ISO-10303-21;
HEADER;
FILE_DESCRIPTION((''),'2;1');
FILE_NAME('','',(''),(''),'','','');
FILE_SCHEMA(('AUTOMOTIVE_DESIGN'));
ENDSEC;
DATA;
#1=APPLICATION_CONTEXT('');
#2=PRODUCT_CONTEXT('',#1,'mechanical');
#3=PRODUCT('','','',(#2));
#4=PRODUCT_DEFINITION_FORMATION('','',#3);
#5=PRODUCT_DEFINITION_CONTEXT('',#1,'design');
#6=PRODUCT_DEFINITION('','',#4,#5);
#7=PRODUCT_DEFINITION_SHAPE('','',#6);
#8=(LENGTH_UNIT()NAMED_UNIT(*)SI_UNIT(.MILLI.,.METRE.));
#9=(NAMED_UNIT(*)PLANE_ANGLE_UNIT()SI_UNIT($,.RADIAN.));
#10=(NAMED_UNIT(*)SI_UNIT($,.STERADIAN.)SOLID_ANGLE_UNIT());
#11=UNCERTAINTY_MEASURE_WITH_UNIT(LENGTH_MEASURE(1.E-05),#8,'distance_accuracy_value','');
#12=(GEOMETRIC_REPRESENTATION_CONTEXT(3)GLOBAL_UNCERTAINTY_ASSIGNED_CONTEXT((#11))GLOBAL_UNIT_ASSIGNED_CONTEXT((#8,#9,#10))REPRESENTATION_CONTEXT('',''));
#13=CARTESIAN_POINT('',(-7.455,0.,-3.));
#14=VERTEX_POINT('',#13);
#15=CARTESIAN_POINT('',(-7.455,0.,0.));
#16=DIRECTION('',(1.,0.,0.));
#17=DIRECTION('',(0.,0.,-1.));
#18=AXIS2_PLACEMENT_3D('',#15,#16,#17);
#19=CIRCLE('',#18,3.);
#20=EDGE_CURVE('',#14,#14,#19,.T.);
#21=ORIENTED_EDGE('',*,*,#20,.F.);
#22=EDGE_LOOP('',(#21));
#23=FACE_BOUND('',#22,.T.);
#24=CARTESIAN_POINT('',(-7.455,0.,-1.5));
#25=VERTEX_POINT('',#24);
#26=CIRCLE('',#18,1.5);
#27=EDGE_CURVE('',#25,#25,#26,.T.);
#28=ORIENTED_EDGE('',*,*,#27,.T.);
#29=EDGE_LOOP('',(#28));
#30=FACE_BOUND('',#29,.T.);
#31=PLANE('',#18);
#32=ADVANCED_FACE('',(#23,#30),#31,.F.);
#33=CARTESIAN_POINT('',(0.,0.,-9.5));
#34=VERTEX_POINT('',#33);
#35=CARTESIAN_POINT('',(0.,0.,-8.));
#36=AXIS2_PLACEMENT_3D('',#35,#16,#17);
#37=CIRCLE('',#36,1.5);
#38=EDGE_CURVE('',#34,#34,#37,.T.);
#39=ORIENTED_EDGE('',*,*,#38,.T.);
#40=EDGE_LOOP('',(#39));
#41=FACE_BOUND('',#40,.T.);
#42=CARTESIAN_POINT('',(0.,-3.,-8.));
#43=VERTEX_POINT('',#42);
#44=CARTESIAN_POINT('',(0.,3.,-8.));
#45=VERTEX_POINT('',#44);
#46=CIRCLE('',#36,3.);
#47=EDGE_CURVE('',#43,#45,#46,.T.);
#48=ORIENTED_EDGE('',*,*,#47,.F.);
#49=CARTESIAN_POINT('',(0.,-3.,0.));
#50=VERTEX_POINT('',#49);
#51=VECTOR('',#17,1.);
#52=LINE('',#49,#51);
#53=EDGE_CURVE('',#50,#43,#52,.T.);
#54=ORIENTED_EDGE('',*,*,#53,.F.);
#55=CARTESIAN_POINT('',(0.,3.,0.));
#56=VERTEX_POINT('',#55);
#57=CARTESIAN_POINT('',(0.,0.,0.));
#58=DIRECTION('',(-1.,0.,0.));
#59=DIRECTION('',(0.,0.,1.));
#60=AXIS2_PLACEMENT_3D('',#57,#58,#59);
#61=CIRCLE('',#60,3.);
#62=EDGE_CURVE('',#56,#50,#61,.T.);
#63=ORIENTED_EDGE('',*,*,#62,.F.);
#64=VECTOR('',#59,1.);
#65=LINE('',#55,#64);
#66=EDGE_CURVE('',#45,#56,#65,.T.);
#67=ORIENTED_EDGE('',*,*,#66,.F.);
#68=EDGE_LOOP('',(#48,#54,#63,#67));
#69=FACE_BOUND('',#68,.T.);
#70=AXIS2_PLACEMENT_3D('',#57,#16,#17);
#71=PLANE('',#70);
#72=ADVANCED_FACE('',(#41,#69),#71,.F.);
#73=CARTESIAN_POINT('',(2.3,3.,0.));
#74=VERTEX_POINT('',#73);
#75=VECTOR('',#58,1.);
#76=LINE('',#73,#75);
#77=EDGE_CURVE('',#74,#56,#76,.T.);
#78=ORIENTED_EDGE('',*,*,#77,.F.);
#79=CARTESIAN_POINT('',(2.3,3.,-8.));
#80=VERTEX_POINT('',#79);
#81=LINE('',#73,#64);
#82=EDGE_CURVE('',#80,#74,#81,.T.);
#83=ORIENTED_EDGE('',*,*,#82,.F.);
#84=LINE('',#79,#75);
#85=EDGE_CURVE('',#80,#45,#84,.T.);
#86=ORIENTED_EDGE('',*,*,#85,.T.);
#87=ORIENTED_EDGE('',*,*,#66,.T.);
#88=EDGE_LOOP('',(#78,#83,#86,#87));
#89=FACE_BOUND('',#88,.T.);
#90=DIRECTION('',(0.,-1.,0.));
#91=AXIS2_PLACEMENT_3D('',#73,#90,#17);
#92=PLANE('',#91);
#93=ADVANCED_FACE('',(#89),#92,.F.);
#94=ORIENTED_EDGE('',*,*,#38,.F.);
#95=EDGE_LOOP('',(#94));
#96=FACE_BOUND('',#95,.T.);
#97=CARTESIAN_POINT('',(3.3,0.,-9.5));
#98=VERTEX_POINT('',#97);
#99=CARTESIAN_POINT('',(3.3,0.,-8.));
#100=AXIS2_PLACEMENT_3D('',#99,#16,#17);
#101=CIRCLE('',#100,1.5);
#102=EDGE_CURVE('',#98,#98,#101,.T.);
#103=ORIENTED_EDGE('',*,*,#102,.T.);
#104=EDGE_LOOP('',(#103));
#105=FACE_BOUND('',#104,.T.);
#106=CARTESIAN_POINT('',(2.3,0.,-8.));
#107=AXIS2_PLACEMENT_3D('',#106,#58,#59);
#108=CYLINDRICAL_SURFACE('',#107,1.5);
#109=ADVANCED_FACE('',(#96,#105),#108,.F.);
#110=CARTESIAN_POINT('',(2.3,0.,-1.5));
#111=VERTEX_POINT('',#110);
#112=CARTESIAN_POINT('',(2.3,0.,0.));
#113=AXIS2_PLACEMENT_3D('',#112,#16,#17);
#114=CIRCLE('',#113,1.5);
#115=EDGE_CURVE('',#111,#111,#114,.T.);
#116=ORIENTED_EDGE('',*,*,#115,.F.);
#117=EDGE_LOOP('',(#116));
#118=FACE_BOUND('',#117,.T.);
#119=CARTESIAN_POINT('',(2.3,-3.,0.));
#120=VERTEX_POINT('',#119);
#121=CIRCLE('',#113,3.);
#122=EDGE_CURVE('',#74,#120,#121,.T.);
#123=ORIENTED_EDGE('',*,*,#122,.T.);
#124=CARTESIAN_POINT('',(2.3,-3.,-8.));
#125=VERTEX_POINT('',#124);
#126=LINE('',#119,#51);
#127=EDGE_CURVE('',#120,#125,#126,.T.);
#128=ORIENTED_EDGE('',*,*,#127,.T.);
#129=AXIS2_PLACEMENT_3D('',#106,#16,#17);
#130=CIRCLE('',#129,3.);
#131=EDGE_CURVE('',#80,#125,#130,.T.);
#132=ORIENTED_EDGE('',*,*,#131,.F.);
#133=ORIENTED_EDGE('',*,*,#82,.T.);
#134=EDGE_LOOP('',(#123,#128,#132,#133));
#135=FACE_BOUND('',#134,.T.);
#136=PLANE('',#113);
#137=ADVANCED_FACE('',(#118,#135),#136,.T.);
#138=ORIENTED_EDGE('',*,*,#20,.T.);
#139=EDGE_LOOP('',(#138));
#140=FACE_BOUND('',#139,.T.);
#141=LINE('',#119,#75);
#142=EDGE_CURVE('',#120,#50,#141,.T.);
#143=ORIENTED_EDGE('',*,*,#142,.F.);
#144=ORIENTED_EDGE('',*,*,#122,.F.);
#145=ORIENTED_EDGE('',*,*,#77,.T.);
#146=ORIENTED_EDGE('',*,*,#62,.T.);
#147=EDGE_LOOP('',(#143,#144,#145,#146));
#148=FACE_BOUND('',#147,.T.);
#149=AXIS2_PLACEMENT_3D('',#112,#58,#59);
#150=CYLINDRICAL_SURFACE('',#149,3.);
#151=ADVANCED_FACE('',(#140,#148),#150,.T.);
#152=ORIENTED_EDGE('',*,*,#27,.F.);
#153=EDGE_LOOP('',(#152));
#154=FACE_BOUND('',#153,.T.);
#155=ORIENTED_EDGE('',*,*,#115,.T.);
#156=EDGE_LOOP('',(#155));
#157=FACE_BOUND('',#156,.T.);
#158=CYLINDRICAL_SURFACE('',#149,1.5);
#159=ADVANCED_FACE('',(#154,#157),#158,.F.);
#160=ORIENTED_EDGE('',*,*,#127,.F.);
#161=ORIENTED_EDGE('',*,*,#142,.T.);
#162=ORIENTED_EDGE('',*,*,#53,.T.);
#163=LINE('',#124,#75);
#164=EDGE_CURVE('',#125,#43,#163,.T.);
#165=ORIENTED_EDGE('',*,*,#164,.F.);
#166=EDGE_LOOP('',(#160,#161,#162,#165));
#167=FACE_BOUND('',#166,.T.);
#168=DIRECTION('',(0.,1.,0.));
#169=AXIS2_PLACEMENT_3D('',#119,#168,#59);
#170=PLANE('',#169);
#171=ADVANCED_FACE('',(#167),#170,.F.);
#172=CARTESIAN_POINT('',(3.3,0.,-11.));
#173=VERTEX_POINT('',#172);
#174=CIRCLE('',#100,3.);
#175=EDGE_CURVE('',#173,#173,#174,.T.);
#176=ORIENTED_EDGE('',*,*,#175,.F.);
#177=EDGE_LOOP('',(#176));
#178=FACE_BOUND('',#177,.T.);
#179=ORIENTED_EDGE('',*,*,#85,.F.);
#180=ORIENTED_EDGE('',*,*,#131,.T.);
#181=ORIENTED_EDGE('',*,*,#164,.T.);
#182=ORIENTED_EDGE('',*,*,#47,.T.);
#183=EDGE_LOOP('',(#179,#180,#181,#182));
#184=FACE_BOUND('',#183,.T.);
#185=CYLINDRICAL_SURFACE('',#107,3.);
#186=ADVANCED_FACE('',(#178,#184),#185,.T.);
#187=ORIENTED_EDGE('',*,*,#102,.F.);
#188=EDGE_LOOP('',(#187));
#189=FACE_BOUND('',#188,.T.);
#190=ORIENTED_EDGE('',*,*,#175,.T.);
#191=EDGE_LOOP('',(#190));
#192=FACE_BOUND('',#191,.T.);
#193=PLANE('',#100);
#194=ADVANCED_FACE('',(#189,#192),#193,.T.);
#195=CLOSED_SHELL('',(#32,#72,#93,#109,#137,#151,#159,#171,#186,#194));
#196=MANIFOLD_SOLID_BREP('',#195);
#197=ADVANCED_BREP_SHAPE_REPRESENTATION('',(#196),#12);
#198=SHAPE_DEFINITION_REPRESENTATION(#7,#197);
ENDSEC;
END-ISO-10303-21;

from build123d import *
from build123d.topology import SkipClean

# Parameters (mm, degrees)
SKETCH1_R           = 1.5
BOSS_EXTRUDE1_DEPTH = 2.3
SKETCH2_R           = 3
SKETCH2_R_2         = 1.5
BOSS_EXTRUDE2_DEPTH = 7.455
SKETCH3_R           = 3
SKETCH3_R_2         = 1.5
BOSS_EXTRUDE3_DEPTH = 1


with BuildPart() as part:
    # Sketch1 → Boss-Extrude1 (new body)
    with BuildSketch(Plane(origin=(0, 0, 0), x_dir=(0, 0, -1), z_dir=(1, 0, 0))):
        with BuildLine():
            Line((0, 3), (8, 3))
            ThreePointArc((8, 3), (11, 0), (8, -3))
            Line((8, -3), (0, -3))
            ThreePointArc((0, -3), (-3, 0), (0, 3))
        make_face()
        Circle(SKETCH1_R, mode=Mode.SUBTRACT)
        with Locations((8, 0)):
            Circle(SKETCH1_R, mode=Mode.SUBTRACT)
    extrude(amount=BOSS_EXTRUDE1_DEPTH)

    # Sketch2 → Boss-Extrude2 (add)
    with SkipClean():  # the faces are left unmerged after this step: merging them gives an invalid solid
        with BuildSketch(Plane.ZY):
            with Locations(Location((0, 0, 0), (0, 0, 90))):
                Circle(SKETCH2_R)
            with Locations(Location((0, 0, 0), (0, 0, 180))):
                Circle(SKETCH2_R_2, mode=Mode.SUBTRACT)
        extrude(amount=BOSS_EXTRUDE2_DEPTH)

    # Sketch3 → Boss-Extrude3 (add)
    with SkipClean():  # the faces are left unmerged after this step: merging them gives an invalid solid
        with BuildSketch(Plane(origin=(2.3, 0, 0), x_dir=(0, 0, -1), z_dir=(1, 0, 0))):
            with Locations(Location((8, 0, 0), (0, 0, 90))):
                Circle(SKETCH3_R)
            with Locations((8, 0)):
                Circle(SKETCH3_R_2, mode=Mode.SUBTRACT)
        extrude(amount=BOSS_EXTRUDE3_DEPTH)


solid = part.part
